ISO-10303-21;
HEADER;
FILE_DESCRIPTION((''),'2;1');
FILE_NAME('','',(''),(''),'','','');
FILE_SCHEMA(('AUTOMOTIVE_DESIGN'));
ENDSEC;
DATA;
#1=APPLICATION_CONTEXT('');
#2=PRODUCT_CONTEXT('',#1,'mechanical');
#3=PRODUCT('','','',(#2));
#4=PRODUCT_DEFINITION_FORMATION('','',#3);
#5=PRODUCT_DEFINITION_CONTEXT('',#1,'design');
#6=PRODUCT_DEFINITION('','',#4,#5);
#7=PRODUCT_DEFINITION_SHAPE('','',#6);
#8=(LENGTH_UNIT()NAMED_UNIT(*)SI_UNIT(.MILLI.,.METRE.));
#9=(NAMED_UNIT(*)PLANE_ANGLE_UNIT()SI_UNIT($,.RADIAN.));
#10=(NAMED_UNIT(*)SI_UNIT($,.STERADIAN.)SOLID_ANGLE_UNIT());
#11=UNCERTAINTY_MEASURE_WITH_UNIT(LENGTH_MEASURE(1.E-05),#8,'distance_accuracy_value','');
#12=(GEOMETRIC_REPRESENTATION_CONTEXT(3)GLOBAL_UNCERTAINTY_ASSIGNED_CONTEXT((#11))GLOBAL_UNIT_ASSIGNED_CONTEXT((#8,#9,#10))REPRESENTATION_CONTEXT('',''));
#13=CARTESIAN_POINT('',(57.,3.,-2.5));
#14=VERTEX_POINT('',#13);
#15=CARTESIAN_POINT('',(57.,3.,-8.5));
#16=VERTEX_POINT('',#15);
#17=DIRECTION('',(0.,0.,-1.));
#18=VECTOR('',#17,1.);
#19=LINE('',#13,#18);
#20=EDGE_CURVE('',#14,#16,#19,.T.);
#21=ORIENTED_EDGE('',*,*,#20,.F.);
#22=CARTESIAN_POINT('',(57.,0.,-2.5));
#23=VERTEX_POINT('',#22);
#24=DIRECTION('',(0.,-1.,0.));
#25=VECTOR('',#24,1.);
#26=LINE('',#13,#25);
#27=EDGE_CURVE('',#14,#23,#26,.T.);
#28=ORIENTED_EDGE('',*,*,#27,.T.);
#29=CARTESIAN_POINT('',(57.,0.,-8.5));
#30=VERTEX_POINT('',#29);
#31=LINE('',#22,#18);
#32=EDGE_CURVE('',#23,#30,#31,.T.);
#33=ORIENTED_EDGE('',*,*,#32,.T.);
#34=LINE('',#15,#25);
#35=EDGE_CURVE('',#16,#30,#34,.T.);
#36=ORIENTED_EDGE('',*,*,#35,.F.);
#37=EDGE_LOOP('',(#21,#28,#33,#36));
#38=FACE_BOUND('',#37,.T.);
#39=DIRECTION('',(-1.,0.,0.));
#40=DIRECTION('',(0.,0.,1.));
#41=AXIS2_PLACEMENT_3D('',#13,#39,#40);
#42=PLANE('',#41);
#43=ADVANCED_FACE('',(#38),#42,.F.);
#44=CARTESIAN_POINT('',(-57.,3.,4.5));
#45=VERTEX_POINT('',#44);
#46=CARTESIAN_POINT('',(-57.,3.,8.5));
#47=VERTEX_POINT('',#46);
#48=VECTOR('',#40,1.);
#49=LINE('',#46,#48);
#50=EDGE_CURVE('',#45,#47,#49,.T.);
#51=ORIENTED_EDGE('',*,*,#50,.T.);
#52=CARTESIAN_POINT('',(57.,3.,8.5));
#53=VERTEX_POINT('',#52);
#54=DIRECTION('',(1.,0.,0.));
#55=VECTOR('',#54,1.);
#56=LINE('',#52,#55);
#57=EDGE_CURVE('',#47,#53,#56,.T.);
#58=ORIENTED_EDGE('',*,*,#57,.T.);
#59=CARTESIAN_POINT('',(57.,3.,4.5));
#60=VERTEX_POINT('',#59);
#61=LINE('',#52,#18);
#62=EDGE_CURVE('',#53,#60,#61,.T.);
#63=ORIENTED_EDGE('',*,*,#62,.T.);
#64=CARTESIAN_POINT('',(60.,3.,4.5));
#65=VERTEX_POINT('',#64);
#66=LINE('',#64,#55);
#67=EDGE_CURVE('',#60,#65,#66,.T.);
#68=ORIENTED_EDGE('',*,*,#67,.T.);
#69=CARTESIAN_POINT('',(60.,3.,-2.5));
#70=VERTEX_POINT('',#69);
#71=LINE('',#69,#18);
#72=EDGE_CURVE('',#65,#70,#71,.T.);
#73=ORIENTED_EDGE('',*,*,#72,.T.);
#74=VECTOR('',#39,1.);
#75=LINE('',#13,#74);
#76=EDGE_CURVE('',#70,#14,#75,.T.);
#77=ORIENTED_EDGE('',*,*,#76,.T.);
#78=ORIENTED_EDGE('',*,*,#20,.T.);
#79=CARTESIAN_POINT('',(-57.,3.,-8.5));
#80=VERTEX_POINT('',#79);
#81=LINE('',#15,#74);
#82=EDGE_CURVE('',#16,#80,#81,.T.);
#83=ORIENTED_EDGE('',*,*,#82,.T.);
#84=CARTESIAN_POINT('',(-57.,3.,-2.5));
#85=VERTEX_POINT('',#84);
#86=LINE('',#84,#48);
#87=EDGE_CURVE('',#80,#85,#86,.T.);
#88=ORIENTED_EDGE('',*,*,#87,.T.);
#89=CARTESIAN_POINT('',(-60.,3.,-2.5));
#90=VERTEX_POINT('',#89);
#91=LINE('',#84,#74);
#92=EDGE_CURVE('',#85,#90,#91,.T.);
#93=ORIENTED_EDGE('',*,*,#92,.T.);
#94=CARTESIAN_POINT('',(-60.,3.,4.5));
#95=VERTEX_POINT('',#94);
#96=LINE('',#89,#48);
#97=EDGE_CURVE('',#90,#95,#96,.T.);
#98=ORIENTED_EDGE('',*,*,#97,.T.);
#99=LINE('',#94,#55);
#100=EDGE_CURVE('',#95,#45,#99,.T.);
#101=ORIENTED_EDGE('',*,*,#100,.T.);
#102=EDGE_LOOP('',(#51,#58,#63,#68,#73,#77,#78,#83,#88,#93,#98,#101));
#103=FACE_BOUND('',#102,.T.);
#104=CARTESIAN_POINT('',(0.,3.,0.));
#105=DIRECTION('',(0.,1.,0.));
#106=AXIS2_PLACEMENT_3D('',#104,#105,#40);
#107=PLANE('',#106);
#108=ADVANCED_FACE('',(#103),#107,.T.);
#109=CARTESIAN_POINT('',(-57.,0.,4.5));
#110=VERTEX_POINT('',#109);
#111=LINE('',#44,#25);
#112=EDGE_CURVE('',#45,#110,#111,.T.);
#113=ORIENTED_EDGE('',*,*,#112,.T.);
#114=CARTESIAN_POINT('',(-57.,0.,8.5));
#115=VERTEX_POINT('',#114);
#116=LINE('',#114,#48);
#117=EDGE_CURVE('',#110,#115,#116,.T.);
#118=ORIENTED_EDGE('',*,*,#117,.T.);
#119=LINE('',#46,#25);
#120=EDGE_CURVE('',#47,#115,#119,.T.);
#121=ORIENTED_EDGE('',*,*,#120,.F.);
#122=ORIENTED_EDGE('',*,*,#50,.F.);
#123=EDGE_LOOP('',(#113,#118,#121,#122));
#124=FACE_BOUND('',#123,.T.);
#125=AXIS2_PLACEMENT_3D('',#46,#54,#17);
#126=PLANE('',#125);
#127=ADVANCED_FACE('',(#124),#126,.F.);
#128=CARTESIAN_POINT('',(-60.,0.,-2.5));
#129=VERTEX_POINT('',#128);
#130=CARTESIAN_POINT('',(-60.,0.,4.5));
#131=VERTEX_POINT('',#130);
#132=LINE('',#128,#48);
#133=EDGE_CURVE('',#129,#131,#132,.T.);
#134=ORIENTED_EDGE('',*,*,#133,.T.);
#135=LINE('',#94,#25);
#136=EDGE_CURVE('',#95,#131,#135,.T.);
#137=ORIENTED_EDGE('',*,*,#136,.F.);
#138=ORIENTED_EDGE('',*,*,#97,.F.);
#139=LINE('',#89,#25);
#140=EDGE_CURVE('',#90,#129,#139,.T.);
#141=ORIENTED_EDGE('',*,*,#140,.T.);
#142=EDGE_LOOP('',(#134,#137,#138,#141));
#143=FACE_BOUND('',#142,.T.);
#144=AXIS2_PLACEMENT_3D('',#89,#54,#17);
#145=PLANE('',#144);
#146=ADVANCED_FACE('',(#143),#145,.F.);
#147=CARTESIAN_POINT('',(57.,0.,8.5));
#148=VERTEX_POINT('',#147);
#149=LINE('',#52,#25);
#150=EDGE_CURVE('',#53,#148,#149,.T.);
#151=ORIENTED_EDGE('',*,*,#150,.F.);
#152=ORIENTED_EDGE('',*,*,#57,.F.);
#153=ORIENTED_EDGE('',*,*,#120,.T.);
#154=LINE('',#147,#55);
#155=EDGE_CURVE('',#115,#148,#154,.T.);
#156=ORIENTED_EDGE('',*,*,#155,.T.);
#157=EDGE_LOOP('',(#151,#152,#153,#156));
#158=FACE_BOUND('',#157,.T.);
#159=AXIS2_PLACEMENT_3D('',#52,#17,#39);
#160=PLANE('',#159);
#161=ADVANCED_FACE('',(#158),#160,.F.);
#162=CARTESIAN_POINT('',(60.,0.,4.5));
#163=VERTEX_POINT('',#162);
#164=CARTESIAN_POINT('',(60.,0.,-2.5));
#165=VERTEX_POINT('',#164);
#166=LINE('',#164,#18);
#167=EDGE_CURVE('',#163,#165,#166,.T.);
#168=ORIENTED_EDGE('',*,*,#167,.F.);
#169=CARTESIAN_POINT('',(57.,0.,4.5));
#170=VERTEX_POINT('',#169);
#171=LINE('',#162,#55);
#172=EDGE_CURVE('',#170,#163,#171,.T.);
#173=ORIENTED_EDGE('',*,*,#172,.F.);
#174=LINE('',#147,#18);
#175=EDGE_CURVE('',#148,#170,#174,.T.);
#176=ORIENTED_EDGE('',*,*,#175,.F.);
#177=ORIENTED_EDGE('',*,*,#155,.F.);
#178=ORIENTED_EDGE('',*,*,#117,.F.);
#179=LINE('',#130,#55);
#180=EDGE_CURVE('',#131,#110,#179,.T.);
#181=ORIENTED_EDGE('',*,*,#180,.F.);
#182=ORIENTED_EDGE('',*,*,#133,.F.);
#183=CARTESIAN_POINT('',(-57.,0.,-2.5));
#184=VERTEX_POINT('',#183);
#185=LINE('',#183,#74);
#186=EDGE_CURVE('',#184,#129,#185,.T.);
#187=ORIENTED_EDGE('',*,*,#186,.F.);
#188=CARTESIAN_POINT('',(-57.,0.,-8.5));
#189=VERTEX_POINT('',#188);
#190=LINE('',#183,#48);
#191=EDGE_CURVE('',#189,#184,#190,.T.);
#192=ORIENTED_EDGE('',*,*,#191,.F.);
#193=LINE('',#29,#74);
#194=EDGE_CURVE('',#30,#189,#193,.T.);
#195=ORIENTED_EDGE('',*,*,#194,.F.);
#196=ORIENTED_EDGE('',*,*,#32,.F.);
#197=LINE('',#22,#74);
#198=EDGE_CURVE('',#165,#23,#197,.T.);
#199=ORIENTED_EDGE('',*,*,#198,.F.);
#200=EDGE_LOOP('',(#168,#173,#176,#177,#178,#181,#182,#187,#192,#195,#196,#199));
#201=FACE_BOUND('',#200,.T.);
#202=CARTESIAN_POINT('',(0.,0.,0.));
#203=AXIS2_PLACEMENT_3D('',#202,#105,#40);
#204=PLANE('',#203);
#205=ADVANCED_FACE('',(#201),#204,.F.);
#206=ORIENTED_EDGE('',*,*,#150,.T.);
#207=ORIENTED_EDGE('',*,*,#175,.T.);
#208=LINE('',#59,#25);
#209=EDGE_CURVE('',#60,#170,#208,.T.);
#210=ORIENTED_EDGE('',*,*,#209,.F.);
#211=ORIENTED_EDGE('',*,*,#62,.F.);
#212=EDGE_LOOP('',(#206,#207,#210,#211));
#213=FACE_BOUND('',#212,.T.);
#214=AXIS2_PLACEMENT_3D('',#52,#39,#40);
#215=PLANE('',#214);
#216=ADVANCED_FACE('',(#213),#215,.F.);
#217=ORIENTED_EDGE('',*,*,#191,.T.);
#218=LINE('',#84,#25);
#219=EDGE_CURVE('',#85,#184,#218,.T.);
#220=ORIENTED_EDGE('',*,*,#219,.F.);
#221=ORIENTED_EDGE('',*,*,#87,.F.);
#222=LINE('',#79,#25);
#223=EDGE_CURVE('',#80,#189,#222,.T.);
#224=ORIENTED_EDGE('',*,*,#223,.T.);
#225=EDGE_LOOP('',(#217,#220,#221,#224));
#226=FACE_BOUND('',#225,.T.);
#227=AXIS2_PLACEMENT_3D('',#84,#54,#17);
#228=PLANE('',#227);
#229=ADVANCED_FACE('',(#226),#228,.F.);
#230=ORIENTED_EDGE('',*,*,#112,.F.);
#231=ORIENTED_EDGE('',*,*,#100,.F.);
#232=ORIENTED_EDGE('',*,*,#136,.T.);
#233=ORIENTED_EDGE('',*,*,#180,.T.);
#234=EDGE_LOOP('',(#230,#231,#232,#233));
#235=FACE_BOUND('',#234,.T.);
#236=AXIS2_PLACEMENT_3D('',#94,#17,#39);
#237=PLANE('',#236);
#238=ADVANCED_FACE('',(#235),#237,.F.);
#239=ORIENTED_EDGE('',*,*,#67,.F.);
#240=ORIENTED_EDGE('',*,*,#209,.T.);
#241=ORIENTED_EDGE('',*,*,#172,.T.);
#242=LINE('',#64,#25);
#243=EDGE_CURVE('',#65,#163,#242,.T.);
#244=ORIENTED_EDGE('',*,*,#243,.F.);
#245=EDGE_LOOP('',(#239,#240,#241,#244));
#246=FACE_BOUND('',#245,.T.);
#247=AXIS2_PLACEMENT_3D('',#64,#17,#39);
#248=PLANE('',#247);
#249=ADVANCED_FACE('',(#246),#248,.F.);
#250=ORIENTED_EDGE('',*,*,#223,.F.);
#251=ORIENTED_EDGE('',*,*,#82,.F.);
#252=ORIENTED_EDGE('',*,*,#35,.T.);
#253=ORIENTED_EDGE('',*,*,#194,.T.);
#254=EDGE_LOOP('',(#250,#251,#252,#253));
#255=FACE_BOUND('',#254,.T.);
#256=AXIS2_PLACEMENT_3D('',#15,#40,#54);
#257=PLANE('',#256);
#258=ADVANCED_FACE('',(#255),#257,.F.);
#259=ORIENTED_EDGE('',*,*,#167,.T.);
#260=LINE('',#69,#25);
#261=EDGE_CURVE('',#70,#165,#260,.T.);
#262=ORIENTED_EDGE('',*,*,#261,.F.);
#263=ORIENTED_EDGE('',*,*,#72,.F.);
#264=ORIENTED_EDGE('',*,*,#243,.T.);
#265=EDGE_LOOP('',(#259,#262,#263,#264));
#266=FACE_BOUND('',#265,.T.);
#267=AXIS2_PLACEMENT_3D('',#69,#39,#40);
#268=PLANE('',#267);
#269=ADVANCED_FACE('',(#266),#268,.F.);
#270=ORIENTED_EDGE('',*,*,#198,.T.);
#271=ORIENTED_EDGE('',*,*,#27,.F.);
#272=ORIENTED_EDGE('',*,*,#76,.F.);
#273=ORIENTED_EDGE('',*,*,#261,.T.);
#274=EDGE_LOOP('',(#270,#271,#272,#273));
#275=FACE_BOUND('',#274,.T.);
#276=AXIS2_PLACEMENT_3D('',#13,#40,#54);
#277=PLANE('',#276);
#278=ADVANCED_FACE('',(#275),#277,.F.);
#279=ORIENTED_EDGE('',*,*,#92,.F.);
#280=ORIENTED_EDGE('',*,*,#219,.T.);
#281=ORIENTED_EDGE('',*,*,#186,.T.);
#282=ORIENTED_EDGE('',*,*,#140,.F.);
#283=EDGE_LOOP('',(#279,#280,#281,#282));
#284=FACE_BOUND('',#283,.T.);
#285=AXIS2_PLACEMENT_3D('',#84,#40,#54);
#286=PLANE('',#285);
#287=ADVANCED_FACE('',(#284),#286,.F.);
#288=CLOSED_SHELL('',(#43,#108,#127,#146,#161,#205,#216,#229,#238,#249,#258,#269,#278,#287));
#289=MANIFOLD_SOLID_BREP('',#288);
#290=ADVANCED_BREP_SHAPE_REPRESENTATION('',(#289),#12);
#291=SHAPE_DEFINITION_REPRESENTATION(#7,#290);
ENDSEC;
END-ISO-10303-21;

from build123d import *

# Parameters (mm, degrees)
SALIENTE_EXTRUIR1_DEPTH = 3


with BuildPart() as part:
    # Croquis1 → Saliente-Extruir1 (new body)
    with BuildSketch(Plane(origin=(0, 0, 0), x_dir=(1, 0, 0), z_dir=(0, 1, 0))):
        Polygon((-57, 2.5), (-60, 2.5), (-60, -4.5), (-57, -4.5), (-57, -8.5), (57, -8.5), (57, -4.5), (60, -4.5), (60, 2.5), (57, 2.5), (57, 8.5), (-57, 8.5), align=None)
    extrude(amount=SALIENTE_EXTRUIR1_DEPTH)


solid = part.part
